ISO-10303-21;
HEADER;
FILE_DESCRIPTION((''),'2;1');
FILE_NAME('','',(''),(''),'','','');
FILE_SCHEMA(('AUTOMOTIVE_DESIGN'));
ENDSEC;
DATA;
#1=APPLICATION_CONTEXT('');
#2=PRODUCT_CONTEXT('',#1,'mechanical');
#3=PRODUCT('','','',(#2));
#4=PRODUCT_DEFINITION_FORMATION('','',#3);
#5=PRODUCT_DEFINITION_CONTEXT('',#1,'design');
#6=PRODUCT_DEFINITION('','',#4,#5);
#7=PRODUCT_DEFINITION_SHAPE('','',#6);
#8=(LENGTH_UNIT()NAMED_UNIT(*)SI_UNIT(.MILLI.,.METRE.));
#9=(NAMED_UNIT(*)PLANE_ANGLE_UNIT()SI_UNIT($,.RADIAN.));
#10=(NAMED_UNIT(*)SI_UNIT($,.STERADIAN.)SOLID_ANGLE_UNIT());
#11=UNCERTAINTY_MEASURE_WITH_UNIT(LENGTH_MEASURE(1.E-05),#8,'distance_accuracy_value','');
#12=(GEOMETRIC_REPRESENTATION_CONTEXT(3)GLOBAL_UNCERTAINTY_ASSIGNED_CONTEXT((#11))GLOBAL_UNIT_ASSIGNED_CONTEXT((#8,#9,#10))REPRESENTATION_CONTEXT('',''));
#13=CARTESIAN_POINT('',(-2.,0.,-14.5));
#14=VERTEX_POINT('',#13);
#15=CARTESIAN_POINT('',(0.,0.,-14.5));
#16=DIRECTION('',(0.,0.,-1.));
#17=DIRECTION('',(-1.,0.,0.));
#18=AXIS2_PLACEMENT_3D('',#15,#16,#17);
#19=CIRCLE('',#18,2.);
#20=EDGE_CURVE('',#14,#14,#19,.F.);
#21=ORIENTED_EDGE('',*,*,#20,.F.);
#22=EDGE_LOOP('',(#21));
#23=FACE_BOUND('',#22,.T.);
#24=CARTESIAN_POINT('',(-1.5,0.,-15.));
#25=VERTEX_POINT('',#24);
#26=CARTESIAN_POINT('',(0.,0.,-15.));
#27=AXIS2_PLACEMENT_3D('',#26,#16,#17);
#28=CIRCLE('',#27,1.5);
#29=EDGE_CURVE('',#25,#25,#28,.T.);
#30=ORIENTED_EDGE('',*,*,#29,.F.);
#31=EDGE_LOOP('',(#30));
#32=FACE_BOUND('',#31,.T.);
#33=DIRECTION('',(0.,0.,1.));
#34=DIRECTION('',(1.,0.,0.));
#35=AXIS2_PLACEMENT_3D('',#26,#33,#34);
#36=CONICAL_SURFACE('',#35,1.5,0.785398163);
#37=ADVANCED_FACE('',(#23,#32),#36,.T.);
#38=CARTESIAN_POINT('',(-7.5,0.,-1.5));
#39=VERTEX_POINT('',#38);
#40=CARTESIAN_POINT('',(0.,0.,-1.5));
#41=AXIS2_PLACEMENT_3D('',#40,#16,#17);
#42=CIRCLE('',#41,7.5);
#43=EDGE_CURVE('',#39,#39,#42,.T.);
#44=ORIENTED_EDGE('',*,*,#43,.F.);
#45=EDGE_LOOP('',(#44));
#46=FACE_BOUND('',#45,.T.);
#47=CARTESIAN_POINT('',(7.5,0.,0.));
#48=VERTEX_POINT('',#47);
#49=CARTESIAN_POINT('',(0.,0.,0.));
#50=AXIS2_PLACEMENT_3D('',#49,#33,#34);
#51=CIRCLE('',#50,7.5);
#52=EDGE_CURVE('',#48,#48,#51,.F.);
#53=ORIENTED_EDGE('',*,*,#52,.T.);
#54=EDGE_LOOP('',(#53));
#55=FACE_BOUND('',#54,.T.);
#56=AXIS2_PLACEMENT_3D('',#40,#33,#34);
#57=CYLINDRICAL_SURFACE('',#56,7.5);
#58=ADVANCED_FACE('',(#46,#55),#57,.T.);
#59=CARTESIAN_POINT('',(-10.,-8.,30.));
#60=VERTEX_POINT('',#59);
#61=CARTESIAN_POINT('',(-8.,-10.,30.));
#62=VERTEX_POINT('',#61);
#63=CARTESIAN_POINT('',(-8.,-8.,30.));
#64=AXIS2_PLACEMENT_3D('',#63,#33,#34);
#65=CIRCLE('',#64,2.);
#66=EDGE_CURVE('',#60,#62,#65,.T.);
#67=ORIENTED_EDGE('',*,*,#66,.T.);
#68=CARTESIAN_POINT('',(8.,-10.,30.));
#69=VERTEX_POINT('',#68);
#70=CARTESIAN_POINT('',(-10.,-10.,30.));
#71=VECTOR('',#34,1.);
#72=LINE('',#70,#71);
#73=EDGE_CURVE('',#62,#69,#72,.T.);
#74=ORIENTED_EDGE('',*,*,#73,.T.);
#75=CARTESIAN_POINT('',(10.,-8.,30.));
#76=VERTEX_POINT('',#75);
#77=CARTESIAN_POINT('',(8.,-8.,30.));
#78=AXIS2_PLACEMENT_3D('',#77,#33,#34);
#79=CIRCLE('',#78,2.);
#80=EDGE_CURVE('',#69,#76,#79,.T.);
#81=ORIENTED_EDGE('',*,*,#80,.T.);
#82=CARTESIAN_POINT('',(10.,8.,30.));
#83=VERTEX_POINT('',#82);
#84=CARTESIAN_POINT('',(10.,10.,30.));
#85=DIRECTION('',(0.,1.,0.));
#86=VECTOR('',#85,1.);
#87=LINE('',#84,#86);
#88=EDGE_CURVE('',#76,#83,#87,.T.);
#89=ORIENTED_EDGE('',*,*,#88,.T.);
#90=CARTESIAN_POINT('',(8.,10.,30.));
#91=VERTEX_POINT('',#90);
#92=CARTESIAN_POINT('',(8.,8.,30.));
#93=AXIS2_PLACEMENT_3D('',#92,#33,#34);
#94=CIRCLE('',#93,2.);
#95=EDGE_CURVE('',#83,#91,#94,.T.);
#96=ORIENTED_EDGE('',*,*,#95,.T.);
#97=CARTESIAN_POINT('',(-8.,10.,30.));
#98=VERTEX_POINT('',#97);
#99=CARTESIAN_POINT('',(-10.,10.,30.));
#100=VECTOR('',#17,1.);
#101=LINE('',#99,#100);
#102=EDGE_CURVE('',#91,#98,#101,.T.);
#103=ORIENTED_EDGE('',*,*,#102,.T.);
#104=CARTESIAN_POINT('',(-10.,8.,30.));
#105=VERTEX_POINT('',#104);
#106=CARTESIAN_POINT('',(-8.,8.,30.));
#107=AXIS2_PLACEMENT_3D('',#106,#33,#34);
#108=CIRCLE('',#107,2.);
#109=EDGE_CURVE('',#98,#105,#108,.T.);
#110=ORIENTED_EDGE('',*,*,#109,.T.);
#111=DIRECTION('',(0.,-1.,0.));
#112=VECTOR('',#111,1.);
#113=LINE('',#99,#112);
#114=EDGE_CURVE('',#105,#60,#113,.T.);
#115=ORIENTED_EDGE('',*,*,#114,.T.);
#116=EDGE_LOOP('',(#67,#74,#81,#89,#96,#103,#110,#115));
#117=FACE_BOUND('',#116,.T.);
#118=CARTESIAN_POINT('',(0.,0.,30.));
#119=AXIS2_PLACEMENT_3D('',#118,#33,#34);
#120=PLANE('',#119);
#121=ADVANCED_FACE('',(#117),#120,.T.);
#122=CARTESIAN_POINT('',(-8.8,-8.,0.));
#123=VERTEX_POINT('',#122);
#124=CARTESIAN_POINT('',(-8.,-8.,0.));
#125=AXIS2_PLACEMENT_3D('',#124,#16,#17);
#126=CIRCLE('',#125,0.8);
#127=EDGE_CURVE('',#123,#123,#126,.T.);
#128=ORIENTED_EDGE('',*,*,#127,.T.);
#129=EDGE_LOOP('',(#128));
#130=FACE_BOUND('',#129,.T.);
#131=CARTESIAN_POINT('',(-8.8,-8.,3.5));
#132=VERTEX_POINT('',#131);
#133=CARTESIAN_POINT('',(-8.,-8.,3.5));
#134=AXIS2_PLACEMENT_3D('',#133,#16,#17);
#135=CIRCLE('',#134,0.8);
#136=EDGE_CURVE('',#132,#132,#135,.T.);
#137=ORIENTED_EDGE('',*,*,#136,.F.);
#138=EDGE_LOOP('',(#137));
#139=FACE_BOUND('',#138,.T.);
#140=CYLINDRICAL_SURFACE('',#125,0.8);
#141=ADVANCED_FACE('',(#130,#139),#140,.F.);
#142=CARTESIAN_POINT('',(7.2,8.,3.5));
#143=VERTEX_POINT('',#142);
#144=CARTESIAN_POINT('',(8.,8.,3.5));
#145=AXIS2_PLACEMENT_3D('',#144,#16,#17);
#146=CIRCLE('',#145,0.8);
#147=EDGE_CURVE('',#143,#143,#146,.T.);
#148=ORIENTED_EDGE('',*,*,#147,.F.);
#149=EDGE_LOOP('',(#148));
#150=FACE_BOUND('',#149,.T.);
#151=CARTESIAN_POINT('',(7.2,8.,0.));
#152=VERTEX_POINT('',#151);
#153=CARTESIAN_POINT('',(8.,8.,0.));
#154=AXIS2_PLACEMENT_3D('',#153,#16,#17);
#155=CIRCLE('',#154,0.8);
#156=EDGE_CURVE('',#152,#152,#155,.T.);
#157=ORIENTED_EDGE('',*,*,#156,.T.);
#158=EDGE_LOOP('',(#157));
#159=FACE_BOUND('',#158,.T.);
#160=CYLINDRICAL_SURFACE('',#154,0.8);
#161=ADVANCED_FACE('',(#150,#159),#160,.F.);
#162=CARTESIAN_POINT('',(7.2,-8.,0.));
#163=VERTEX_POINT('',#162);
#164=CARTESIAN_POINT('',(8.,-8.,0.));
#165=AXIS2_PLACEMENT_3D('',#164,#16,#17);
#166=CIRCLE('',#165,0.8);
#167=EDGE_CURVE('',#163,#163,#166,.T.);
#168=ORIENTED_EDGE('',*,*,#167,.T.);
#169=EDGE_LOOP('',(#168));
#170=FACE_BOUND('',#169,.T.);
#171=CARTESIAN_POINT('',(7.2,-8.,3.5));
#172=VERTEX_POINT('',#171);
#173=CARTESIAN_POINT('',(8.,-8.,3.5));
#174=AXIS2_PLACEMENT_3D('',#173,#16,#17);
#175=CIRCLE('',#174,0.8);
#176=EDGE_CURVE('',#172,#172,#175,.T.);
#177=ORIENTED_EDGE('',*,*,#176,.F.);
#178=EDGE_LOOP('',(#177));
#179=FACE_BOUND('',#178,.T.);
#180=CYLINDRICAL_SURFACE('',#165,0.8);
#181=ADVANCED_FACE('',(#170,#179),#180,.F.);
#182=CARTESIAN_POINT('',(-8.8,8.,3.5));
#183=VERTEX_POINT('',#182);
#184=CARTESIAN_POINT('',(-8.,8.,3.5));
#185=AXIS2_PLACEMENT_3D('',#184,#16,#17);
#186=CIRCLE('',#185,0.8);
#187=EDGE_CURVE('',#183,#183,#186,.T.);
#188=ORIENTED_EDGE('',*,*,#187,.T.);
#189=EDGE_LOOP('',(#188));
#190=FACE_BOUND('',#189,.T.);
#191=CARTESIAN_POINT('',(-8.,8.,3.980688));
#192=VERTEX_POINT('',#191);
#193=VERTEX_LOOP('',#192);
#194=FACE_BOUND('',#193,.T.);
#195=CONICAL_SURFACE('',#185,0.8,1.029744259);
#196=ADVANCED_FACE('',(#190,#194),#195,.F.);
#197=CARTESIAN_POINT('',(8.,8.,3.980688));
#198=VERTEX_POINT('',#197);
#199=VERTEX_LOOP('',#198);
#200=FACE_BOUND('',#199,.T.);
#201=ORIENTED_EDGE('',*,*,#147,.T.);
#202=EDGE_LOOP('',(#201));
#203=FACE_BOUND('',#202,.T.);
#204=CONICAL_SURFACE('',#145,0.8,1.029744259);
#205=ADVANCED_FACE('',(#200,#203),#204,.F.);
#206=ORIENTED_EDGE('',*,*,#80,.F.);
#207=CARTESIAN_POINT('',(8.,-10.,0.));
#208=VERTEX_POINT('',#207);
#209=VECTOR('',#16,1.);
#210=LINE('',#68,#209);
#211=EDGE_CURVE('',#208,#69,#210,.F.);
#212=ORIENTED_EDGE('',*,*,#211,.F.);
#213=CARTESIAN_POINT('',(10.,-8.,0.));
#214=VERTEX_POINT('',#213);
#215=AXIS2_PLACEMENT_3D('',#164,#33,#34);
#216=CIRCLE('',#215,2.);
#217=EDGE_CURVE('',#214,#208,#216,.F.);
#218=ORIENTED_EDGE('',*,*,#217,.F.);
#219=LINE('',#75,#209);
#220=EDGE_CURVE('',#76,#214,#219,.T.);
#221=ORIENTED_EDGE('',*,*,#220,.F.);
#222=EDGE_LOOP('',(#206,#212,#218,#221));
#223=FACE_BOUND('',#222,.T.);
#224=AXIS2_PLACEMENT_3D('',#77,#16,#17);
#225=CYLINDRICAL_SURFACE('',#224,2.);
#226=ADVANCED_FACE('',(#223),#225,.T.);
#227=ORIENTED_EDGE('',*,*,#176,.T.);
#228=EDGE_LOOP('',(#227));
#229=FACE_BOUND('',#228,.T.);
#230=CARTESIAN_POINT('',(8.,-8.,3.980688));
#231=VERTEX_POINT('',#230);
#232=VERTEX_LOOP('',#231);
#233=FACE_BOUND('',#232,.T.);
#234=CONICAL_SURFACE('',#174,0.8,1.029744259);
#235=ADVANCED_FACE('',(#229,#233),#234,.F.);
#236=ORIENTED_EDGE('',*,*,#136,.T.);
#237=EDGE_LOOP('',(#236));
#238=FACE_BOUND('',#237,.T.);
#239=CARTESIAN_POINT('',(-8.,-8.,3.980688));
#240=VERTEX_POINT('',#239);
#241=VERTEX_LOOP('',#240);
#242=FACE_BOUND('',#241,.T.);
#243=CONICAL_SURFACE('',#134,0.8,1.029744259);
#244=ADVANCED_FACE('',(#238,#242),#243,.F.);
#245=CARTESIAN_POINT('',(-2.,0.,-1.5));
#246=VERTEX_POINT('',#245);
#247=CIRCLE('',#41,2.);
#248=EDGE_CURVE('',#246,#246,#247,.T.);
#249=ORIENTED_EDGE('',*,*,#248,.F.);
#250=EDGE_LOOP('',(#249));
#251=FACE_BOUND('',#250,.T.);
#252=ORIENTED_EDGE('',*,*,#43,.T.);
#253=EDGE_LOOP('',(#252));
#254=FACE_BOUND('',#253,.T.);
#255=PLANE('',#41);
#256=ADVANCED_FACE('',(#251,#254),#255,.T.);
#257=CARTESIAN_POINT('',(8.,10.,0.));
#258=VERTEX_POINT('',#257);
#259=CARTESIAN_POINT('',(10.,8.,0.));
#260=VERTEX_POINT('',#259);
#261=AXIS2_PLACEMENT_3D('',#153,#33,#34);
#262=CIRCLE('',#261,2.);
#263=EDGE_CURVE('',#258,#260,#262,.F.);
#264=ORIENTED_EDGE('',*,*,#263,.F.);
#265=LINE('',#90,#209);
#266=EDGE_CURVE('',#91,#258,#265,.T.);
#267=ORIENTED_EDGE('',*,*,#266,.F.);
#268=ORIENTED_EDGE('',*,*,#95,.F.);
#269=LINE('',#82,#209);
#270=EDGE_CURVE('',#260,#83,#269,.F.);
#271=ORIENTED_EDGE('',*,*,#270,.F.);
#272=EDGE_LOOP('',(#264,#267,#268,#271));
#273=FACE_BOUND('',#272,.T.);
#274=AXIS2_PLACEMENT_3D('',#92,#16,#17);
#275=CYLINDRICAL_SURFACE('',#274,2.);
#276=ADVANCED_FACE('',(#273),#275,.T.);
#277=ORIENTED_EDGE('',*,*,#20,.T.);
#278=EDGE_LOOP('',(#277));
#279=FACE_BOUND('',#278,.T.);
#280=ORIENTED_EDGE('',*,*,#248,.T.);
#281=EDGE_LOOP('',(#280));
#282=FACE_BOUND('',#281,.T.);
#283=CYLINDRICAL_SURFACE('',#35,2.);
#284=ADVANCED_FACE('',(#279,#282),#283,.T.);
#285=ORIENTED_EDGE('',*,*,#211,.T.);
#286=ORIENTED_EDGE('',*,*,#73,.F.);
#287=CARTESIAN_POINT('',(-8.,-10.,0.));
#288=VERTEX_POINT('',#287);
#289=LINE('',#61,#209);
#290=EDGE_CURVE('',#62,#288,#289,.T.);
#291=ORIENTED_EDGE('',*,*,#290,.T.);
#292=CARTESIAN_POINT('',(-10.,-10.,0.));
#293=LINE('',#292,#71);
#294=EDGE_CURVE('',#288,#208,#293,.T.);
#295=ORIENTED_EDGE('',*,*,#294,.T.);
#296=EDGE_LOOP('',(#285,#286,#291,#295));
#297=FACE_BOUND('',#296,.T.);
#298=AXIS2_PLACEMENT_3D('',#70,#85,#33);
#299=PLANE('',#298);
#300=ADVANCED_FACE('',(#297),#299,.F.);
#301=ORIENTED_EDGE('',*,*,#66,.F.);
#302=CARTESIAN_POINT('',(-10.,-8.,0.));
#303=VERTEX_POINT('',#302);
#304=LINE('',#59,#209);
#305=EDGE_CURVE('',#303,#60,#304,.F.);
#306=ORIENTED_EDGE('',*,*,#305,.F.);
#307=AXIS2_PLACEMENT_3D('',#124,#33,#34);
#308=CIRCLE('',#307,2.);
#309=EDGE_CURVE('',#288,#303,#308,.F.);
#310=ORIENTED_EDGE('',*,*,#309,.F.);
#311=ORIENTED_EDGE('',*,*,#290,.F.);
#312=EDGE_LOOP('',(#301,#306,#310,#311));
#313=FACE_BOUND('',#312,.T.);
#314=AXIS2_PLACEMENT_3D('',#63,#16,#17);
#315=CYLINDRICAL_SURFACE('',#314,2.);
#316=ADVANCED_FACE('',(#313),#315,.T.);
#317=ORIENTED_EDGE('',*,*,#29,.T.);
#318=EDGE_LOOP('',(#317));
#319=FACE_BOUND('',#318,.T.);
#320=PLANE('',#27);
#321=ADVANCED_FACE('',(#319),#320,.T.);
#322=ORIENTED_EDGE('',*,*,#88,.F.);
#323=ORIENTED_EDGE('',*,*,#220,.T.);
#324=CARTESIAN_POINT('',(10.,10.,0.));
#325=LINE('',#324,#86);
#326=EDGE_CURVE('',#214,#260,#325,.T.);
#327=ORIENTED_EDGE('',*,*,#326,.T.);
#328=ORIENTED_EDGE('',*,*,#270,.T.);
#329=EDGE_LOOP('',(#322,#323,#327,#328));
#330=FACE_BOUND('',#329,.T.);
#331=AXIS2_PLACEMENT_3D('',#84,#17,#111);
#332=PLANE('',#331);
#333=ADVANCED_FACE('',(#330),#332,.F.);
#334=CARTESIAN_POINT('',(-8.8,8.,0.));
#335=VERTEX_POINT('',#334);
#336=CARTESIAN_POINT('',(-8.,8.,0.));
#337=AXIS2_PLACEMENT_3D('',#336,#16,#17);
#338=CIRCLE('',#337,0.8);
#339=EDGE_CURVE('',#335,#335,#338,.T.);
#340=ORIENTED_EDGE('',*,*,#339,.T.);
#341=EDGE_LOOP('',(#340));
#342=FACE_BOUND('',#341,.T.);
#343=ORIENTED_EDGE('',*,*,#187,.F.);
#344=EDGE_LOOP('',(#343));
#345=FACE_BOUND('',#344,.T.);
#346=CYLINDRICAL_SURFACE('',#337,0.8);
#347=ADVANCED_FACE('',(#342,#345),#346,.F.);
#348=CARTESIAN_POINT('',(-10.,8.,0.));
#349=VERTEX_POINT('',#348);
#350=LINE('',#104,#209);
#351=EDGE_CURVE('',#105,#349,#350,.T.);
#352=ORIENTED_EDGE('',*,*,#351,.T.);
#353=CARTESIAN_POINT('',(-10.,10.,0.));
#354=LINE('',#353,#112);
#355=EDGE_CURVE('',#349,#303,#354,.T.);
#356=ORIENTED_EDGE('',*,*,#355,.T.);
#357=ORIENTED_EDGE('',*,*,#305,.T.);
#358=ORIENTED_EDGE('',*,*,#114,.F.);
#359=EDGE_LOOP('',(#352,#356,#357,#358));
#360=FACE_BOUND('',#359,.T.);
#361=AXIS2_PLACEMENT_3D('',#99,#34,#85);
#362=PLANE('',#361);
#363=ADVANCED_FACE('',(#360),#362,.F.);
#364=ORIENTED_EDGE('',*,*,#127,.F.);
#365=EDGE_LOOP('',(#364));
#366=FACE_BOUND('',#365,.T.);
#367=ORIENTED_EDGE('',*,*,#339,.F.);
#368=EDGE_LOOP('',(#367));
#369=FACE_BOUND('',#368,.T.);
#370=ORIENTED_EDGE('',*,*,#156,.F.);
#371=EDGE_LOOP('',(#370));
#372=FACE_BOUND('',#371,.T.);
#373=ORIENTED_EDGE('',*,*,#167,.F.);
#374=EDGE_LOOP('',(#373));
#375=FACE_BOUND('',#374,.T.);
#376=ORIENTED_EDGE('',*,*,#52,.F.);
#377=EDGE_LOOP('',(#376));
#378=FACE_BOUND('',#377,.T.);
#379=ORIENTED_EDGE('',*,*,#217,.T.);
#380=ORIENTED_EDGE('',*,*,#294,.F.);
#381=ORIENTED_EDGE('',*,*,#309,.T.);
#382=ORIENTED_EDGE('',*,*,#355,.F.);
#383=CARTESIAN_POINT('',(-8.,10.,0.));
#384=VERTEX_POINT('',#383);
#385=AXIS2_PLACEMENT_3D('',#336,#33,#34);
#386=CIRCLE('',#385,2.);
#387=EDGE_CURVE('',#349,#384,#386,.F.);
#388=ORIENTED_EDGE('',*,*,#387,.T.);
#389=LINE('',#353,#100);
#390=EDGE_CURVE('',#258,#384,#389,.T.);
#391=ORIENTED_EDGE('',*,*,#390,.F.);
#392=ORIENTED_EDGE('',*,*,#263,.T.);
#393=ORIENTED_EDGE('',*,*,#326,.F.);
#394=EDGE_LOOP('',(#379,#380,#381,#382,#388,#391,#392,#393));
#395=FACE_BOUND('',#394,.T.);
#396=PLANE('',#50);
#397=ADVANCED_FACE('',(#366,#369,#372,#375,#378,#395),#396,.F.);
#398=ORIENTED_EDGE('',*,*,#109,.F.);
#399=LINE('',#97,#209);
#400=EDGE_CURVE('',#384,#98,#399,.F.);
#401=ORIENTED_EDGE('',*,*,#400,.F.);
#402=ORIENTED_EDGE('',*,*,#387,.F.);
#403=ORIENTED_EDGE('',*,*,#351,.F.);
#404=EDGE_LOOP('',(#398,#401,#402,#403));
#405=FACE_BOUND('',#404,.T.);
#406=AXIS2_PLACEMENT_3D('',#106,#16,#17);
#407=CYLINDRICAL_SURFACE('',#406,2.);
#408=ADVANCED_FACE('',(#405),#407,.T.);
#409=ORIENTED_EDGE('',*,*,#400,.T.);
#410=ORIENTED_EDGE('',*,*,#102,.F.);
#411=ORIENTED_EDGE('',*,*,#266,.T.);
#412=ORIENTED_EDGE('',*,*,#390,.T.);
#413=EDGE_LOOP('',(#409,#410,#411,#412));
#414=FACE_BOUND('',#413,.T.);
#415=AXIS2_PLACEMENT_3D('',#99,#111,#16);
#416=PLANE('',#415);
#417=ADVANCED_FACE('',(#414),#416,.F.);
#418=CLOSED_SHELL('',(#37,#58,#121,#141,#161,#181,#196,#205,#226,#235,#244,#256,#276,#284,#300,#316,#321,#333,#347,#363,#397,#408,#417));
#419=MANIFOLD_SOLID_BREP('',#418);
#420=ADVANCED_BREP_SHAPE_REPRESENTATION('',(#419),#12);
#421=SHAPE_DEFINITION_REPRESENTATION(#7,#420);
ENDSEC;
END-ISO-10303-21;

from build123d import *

# Parameters (mm, degrees)
SKETCH1_W                 = 20
SKETCH1_H                 = 20
BOSS_EXTRUDE1_DEPTH       = 30
SKETCH2_R                 = 7.5
BOSS_EXTRUDE2_DEPTH       = 1.5
SKETCH3_R                 = 2
BOSS_EXTRUDE3_DEPTH       = 13.5
M2X0_4_TAPPED_HOLE1_D     = 1.6
M2X0_4_TAPPED_HOLE1_DEPTH = 3.5
M2X0_4_TAPPED_HOLE1_TIP   = 0.480688495
FILLET1_R                 = 2
CHAMFER1_SIZE             = 0.5


with BuildPart() as part:
    # Sketch1 → Boss-Extrude1 (new body)
    with BuildSketch(Plane.XY):
        Rectangle(SKETCH1_W, SKETCH1_H)
    extrude(amount=BOSS_EXTRUDE1_DEPTH)

    # Sketch2 → Boss-Extrude2 (add)
    with BuildSketch(Plane(origin=(0, 0, 0), x_dir=(-1, 0, 0), z_dir=(0, 0, -1))):
        Circle(SKETCH2_R)
    extrude(amount=BOSS_EXTRUDE2_DEPTH)

    # Sketch3 → Boss-Extrude3 (add)
    with BuildSketch(Plane(origin=(0, 0, -1.5), x_dir=(-1, 0, 0), z_dir=(0, 0, -1))):
        Circle(SKETCH3_R)
    extrude(amount=BOSS_EXTRUDE3_DEPTH)

    # M2x0.4 Tapped Hole1
    with Locations(Plane(origin=(0, 0, 0), x_dir=(-1, 0, 0), z_dir=(0, 0, -1))):
        with Locations((-8, 8), (8, 8), (8, -8), (-8, -8)):
            Hole(M2X0_4_TAPPED_HOLE1_D / 2, depth=M2X0_4_TAPPED_HOLE1_DEPTH)
            with Locations((0, 0, -(M2X0_4_TAPPED_HOLE1_DEPTH + M2X0_4_TAPPED_HOLE1_TIP / 2))):  # 118° drill point
                Cone(0, M2X0_4_TAPPED_HOLE1_D / 2, M2X0_4_TAPPED_HOLE1_TIP, mode=Mode.SUBTRACT)

    # Fillet1
    fillet1_edges = [part.edges().sort_by_distance(p)[0] for p in [
        (10, -10, 15),
        (-10, -10, 15),
        (-10, 10, 15),
        (10, 10, 15),
    ]]
    fillet(fillet1_edges, radius=FILLET1_R)

    # Chamfer1
    chamfer1_edges = [part.edges().sort_by_distance(p)[0] for p in [
        (2, 0, -15),
    ]]
    chamfer(chamfer1_edges, length=CHAMFER1_SIZE)


solid = part.part
